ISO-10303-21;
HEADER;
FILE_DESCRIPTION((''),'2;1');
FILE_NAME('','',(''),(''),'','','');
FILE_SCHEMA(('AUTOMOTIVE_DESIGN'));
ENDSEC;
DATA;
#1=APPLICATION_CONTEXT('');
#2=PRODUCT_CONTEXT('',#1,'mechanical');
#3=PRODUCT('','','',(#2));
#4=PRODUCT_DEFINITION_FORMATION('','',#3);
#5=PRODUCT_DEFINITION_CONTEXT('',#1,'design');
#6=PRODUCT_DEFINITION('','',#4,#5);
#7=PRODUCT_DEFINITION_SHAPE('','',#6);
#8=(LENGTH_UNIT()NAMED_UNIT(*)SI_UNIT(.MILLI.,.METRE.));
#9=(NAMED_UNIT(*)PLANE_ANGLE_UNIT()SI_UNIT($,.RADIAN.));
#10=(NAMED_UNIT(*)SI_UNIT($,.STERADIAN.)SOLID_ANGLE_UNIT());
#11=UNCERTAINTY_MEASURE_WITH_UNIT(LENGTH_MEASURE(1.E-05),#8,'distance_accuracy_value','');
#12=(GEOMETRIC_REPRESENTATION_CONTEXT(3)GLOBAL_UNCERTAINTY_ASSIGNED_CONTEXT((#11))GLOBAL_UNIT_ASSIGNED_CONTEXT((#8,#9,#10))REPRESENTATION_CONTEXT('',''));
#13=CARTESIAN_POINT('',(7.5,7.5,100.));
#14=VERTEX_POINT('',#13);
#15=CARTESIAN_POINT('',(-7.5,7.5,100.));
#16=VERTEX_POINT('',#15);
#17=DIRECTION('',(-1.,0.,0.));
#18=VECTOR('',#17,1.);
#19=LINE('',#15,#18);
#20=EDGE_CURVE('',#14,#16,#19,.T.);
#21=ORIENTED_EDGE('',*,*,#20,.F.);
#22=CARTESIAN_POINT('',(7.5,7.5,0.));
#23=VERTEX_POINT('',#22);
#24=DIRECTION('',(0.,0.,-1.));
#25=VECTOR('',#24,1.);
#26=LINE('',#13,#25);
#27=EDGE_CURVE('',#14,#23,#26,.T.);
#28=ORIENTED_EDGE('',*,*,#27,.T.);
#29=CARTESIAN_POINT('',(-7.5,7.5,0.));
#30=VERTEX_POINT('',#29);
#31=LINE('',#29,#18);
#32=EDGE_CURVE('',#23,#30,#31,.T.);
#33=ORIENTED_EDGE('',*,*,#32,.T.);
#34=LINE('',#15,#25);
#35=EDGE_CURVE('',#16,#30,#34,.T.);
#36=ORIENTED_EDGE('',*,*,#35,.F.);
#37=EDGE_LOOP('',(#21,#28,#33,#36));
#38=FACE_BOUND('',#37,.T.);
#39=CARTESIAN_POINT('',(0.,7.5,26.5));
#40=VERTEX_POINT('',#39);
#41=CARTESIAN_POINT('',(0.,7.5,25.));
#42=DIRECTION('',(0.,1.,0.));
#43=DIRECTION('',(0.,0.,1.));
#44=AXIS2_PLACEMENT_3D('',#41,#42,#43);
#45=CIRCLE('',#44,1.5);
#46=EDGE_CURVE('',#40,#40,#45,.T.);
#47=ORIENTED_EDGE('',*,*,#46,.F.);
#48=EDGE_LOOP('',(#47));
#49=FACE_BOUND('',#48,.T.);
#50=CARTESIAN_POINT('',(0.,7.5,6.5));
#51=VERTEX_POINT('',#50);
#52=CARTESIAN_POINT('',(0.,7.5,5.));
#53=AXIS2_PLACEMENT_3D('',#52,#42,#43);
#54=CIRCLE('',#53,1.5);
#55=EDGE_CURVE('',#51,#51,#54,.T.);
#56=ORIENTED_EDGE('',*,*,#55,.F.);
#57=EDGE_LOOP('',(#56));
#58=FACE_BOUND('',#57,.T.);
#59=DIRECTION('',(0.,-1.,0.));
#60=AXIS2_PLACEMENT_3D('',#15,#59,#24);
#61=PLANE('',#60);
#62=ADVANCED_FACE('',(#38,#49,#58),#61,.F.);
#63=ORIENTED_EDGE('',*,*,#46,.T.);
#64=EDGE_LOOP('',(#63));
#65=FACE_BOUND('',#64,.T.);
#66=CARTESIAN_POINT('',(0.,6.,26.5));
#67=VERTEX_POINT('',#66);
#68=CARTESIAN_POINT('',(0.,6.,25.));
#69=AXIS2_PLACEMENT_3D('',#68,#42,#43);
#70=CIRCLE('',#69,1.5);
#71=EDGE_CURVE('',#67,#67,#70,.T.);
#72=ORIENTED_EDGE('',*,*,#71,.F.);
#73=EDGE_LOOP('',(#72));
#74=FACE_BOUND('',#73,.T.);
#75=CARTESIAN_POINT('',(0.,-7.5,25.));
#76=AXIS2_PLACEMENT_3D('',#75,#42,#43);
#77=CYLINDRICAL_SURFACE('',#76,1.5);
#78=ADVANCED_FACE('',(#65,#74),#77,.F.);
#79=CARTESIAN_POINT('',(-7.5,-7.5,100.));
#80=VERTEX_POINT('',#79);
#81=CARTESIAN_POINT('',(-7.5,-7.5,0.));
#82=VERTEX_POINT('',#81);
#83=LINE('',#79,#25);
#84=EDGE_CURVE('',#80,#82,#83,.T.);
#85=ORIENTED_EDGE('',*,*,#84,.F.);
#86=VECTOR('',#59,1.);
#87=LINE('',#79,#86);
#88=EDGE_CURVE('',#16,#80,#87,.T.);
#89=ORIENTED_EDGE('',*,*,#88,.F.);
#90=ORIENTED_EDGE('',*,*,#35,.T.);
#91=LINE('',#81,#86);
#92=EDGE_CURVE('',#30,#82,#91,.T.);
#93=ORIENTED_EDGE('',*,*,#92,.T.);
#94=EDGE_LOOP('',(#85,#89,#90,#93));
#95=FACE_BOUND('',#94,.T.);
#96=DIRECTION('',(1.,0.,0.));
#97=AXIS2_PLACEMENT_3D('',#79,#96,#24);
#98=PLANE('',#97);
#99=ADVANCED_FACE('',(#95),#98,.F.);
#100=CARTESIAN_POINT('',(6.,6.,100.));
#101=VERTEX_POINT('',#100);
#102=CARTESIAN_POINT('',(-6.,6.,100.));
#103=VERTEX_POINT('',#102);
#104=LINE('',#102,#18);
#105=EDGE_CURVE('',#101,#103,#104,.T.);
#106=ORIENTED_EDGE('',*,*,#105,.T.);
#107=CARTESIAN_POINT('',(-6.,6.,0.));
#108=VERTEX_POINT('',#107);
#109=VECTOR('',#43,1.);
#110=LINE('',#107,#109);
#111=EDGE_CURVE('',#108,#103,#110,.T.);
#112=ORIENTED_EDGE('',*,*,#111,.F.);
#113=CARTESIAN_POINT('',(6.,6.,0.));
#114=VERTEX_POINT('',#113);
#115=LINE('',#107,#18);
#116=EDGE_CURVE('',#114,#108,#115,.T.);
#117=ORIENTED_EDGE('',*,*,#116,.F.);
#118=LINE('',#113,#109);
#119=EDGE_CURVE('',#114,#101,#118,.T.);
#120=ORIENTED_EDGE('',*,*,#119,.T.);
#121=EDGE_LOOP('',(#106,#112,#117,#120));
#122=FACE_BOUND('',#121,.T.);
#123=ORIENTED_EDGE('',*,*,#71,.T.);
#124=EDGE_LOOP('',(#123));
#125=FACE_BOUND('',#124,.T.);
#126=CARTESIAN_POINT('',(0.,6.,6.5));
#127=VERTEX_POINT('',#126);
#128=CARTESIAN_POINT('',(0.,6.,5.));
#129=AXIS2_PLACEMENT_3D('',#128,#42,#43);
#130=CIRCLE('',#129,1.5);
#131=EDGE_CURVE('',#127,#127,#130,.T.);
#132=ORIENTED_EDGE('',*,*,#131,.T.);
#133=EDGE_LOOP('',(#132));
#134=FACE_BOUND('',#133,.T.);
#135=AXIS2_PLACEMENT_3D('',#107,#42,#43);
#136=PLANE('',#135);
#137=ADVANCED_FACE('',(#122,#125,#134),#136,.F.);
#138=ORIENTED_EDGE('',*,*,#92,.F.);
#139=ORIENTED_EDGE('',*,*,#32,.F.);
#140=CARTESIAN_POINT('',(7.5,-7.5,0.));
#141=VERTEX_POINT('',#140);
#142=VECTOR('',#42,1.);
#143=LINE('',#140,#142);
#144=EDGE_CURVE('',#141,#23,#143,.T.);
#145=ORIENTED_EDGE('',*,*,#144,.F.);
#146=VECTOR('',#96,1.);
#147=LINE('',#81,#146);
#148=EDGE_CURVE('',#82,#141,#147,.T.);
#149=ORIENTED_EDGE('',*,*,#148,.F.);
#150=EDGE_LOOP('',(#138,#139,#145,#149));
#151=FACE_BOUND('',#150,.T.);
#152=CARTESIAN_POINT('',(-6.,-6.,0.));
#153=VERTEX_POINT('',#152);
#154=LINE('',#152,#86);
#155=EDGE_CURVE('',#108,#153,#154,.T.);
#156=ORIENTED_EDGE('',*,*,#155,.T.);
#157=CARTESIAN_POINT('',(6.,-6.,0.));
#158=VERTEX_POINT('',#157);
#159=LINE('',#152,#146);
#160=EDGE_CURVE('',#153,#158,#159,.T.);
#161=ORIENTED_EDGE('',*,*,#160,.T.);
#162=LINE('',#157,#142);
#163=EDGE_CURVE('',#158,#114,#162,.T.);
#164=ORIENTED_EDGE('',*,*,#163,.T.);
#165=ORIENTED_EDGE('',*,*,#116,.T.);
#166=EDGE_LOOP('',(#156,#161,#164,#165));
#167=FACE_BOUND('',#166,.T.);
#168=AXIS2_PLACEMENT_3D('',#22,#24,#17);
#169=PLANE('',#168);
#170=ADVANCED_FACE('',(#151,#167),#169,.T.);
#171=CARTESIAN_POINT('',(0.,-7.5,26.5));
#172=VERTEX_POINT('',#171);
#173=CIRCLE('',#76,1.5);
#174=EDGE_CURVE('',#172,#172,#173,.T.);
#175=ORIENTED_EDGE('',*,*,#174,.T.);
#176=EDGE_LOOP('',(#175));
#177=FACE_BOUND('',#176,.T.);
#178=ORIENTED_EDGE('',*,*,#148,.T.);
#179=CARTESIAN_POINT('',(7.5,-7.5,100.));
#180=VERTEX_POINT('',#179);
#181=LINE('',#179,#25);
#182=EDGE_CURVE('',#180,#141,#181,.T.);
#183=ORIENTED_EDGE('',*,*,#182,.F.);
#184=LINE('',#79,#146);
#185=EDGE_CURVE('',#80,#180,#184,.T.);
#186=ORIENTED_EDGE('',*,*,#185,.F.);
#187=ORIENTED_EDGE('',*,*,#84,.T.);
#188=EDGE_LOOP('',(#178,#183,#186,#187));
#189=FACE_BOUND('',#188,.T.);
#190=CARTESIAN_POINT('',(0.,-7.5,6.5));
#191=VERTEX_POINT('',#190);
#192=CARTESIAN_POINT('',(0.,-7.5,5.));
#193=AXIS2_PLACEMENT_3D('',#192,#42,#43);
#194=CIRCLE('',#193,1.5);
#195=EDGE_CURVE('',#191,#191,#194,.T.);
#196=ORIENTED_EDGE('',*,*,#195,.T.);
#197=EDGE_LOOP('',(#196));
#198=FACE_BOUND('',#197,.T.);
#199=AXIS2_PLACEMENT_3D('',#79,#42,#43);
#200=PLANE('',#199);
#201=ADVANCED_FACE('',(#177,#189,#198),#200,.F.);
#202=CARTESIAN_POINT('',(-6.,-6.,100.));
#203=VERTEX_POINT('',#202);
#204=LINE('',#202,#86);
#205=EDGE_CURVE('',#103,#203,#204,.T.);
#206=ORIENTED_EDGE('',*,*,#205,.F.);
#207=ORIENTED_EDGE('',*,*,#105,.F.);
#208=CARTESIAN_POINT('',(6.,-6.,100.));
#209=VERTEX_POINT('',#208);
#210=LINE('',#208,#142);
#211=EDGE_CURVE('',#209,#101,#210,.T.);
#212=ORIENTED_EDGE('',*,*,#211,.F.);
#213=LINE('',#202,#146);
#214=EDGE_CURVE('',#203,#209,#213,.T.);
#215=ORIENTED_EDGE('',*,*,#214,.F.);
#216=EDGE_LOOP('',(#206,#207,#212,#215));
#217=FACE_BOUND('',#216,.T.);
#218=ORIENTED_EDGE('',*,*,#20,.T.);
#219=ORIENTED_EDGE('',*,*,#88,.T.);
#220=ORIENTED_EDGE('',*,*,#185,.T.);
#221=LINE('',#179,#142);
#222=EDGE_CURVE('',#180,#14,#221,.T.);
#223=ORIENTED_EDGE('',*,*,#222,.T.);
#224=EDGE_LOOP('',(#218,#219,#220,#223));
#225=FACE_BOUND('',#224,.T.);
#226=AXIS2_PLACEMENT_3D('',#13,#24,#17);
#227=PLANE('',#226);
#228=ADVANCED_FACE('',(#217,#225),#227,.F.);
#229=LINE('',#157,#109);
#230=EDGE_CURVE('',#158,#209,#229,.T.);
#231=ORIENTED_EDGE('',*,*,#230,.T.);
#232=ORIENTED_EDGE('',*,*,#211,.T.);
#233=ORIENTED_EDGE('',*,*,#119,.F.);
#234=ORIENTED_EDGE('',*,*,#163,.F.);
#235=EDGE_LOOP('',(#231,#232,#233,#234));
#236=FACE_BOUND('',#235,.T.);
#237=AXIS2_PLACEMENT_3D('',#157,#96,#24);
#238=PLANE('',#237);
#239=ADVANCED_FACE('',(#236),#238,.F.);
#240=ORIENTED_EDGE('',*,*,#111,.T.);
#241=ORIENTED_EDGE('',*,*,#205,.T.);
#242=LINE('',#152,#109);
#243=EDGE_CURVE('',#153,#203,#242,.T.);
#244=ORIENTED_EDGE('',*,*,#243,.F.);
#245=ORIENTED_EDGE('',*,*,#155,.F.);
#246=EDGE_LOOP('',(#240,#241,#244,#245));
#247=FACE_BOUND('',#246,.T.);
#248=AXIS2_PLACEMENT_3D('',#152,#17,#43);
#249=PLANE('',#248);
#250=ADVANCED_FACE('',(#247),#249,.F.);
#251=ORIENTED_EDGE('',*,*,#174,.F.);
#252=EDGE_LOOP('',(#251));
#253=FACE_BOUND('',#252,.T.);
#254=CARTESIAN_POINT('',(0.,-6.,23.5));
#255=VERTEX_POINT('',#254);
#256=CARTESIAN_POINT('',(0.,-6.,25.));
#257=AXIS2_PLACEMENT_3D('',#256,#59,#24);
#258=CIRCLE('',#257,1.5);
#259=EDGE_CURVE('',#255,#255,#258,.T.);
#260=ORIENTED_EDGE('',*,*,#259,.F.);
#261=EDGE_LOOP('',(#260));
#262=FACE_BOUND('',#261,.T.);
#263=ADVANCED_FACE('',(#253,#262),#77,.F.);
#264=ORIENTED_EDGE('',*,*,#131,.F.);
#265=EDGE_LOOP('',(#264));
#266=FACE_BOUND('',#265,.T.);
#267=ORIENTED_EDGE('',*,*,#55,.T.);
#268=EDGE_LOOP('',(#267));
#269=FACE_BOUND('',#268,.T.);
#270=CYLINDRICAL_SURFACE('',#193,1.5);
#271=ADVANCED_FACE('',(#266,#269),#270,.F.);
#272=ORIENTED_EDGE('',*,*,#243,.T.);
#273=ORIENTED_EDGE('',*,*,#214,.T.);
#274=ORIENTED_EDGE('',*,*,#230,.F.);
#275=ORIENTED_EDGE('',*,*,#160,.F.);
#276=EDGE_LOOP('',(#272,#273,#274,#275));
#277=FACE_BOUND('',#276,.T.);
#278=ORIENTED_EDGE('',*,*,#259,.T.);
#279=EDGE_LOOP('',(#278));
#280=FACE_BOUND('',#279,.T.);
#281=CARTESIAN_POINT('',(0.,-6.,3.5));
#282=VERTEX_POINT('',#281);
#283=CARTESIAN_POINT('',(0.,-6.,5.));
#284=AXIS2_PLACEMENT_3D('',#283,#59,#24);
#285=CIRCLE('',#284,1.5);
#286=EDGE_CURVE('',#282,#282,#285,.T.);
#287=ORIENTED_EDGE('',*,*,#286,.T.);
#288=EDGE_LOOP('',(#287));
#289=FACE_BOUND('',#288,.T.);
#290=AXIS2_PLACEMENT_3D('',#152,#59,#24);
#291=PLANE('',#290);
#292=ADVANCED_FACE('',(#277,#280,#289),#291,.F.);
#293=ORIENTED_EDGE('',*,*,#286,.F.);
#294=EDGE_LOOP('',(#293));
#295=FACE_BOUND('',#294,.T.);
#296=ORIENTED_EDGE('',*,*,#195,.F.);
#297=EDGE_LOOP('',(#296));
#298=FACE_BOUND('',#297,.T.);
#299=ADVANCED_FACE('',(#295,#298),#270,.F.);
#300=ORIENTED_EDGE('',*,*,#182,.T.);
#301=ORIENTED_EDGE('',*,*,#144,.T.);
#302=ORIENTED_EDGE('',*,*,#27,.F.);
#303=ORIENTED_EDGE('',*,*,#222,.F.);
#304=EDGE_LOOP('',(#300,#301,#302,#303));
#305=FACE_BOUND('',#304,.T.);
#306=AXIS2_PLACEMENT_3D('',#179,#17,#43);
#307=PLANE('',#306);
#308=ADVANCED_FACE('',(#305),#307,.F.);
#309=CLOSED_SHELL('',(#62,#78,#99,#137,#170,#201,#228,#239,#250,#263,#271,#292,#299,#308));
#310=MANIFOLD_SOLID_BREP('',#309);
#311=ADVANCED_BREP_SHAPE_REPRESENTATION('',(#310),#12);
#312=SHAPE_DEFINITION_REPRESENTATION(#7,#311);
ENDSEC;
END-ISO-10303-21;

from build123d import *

# Parameters (mm, degrees)
ESQUISSE1_W                = 15
ESQUISSE1_H                = 15
EXTRUSION1_DEPTH           = 100
ESQUISSE2_W                = 12
ESQUISSE2_H                = 12
EXTRUSION2_DEPTH           = 101.560926806
ESQUISSE3_R                = 1.5
EXTRUSION3_DEPTH           = 102.396498953
R_P_TITION_LIN_AIRE1_COUNT = 2
R_P_TITION_LIN_AIRE1_PITCH = 20


with BuildPart() as part:
    # Esquisse1 → Extrusion1 (new body)
    with BuildSketch(Plane.XY):
        Rectangle(ESQUISSE1_W, ESQUISSE1_H)
    extrude(amount=EXTRUSION1_DEPTH)

    # Esquisse2 → Extrusion2 (cut, through all)
    with BuildSketch(Plane.XY.offset(100)):
        Rectangle(ESQUISSE2_W, ESQUISSE2_H)
    extrude(amount=-EXTRUSION2_DEPTH, mode=Mode.SUBTRACT)

    # Esquisse3 → Extrusion3 (cut, through all)
    with BuildSketch(Plane(origin=(0, 7.5, 0), x_dir=(1, 0, 0), z_dir=(0, 1, 0))):
        with Locations(Location((0, -5, 0), (0, 0, 270))):
            Circle(ESQUISSE3_R)
    extrusion3 = extrude(amount=-EXTRUSION3_DEPTH, mode=Mode.SUBTRACT)

    # Répétition linéaire1: Extrusion3 ×2
    with Locations(*[(0, 0, i * R_P_TITION_LIN_AIRE1_PITCH) for i in range(1, R_P_TITION_LIN_AIRE1_COUNT)]):
        add(extrusion3, mode=Mode.SUBTRACT)


solid = part.part
